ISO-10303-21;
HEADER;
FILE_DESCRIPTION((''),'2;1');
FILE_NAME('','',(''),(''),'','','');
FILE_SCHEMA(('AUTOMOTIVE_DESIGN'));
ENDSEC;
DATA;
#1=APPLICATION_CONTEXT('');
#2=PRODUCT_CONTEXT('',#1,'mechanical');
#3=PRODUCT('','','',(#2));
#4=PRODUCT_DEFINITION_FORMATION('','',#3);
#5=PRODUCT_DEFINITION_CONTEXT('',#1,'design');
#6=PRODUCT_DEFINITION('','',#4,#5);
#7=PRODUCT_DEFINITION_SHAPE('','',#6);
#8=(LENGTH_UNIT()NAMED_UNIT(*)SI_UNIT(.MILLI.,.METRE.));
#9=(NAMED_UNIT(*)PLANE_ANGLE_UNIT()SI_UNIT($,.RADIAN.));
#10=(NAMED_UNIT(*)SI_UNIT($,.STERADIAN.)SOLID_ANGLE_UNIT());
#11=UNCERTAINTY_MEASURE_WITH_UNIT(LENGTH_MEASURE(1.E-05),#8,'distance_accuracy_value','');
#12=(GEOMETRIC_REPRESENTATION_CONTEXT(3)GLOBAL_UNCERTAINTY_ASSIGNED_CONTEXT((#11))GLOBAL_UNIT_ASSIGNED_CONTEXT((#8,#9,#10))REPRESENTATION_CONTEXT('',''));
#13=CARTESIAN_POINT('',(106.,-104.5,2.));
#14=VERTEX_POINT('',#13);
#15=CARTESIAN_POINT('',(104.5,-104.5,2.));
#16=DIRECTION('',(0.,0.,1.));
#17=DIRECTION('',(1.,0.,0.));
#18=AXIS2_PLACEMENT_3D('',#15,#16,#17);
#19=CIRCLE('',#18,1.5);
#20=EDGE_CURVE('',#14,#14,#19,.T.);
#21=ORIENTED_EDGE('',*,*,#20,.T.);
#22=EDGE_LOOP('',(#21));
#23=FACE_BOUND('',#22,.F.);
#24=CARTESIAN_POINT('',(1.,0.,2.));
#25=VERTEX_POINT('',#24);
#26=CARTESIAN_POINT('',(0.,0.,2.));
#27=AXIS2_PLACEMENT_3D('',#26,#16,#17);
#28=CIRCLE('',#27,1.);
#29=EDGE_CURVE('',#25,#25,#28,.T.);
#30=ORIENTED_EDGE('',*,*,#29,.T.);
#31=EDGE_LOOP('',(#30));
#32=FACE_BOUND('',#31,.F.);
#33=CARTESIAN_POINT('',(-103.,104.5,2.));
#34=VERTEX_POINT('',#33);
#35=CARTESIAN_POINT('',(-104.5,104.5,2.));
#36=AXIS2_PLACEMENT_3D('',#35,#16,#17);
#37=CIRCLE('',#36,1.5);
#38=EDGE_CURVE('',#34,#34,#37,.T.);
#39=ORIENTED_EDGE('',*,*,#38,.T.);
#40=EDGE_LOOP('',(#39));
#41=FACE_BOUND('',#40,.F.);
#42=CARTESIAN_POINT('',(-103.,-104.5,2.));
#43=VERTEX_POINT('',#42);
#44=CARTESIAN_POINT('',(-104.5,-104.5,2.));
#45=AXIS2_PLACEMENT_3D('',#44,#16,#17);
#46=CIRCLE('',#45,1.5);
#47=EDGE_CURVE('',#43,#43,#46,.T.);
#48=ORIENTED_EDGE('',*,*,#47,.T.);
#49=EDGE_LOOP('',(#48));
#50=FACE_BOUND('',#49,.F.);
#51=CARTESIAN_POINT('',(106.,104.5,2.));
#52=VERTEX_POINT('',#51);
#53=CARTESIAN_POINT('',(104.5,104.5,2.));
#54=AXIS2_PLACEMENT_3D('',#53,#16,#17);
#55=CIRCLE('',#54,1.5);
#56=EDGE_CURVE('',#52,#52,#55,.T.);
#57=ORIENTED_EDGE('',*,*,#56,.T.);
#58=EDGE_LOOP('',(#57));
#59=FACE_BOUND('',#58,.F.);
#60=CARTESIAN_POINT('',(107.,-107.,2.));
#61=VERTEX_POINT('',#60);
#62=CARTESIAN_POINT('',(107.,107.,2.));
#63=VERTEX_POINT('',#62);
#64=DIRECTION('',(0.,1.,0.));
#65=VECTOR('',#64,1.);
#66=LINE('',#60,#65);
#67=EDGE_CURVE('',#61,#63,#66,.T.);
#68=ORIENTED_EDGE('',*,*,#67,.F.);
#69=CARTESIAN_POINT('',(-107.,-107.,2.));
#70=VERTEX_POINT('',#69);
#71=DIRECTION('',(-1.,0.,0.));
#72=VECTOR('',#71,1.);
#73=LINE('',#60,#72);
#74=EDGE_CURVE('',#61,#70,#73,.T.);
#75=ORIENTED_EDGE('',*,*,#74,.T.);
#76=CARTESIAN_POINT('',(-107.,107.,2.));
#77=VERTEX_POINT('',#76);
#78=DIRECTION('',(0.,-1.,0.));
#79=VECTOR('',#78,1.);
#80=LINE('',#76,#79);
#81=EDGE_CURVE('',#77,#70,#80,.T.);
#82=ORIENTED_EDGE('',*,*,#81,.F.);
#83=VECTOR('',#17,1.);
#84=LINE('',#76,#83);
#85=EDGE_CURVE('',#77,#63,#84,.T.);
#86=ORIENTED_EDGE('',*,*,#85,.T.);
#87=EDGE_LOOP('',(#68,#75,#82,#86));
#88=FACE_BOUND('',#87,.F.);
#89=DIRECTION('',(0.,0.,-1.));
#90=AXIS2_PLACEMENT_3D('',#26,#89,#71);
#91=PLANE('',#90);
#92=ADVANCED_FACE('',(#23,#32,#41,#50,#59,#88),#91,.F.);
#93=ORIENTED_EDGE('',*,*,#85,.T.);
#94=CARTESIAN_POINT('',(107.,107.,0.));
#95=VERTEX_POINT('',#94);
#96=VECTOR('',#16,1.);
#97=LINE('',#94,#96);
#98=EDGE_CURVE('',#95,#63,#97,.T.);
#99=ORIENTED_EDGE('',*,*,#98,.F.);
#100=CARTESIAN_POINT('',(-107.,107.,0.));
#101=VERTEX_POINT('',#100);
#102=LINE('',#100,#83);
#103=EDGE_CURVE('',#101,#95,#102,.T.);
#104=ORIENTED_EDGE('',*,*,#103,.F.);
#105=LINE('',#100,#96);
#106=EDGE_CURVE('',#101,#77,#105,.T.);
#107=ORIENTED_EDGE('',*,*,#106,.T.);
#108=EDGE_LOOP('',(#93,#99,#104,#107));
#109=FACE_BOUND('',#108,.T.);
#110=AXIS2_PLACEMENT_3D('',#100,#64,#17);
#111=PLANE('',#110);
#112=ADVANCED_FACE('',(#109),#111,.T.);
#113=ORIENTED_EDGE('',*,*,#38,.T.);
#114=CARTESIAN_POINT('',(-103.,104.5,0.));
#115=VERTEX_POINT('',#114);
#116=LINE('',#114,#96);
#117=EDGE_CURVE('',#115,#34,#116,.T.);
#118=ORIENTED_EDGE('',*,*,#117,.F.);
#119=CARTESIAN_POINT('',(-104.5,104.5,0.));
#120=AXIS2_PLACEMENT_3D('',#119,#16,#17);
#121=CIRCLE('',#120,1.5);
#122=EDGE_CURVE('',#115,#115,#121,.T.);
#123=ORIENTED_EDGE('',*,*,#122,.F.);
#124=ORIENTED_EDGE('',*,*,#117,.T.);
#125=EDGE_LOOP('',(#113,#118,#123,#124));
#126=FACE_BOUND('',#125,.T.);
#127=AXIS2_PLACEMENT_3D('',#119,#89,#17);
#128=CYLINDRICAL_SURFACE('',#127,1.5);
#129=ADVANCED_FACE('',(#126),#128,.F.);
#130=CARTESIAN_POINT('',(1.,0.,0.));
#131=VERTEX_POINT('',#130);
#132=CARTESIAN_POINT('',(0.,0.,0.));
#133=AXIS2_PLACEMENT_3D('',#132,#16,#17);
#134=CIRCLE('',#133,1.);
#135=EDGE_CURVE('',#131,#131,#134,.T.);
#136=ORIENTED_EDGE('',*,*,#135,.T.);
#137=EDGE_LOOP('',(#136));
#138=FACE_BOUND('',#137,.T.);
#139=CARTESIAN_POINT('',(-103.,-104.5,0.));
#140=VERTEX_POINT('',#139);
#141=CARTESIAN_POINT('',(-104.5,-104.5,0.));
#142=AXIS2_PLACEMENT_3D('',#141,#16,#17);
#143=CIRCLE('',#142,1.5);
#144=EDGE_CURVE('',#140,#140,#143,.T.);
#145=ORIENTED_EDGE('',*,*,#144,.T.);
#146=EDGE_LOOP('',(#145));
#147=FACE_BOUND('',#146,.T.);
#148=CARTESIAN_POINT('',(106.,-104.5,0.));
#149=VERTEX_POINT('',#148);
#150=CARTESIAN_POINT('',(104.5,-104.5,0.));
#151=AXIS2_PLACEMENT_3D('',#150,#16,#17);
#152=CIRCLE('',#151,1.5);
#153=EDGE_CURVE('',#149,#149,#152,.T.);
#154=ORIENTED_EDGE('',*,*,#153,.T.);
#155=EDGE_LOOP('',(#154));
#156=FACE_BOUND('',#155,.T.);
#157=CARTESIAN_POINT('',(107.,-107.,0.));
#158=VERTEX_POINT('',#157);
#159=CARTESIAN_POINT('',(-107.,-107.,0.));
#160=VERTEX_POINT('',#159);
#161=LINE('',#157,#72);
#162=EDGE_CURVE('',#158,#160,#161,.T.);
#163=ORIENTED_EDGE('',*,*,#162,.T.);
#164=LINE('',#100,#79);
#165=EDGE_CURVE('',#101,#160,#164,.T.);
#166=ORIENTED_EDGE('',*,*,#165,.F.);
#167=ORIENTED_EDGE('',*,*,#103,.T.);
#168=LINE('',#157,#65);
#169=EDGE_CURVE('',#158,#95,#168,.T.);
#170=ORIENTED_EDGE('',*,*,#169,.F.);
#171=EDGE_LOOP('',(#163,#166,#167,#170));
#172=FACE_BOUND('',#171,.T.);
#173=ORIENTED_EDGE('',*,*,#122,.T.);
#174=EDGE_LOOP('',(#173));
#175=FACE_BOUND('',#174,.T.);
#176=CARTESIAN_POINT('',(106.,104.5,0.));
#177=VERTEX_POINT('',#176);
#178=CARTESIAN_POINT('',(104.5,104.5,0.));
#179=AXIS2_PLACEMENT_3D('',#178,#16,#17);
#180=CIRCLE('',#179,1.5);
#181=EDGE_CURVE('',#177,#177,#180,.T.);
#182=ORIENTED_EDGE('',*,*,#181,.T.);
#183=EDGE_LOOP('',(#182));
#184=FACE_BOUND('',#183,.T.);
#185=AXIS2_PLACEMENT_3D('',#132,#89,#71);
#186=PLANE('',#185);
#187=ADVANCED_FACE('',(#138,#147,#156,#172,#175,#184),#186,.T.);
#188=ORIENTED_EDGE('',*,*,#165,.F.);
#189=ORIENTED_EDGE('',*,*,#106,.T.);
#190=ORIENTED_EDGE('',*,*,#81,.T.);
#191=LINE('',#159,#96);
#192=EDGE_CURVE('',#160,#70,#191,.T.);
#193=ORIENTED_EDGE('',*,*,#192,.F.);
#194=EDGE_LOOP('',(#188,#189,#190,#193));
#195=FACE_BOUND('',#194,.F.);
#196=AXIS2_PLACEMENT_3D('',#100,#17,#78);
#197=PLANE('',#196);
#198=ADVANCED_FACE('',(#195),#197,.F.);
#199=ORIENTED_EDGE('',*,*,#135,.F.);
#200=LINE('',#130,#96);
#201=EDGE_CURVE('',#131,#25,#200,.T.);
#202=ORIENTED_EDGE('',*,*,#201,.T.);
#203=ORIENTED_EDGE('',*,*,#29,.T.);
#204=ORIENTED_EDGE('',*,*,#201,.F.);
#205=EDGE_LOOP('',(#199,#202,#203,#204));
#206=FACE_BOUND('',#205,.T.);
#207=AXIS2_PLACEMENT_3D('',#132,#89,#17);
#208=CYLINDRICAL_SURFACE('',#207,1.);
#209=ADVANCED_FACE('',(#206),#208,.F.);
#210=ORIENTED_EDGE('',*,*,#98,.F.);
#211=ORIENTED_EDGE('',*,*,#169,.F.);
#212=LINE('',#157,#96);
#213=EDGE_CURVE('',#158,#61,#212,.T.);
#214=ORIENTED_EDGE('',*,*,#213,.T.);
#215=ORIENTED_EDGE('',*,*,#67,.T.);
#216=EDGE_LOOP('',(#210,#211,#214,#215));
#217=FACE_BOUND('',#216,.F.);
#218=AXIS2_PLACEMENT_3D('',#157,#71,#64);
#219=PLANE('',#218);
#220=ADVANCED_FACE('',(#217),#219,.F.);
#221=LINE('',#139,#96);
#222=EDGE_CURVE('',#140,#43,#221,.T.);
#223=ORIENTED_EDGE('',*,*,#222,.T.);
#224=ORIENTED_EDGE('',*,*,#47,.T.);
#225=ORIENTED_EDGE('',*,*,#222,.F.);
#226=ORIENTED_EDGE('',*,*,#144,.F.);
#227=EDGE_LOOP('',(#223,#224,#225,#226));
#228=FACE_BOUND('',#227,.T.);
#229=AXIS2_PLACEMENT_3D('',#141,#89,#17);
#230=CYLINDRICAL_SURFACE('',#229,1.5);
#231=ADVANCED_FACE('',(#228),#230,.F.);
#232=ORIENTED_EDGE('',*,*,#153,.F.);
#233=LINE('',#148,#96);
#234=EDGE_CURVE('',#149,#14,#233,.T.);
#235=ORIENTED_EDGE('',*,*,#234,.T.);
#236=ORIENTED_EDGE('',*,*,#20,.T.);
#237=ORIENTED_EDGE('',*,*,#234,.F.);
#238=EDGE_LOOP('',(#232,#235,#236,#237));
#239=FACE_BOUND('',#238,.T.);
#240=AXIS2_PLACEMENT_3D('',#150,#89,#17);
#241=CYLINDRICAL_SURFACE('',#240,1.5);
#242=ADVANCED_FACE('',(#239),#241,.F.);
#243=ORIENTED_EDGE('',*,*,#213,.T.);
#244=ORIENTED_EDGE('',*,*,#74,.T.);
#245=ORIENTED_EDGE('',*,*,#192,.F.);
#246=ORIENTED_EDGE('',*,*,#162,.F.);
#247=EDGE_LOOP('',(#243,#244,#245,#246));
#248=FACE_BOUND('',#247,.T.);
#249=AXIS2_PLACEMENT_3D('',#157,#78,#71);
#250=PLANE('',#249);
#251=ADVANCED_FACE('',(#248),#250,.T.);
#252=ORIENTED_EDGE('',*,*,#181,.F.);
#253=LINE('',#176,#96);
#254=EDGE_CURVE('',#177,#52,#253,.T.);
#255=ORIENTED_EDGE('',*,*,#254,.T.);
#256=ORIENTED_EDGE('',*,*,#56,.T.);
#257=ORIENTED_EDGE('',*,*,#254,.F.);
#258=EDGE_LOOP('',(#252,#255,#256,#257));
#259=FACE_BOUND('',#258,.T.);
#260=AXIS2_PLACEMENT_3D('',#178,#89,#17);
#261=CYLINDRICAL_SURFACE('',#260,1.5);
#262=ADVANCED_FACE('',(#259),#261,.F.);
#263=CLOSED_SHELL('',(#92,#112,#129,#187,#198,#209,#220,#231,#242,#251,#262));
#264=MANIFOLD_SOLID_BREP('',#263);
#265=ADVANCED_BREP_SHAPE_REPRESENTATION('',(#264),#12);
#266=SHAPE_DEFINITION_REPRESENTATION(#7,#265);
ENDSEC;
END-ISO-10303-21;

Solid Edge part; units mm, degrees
sketch "Sketch1" plane through (0, 0, 0) normal (0, 0, 1) x (1, 0, 0)
  circle A0 centre (-104.5, 104.5) radius 1.5
  circle A1 centre (-104.5, -104.5) radius 1.5
  circle A2 centre (104.5, 104.5) radius 1.5
  circle A3 centre (104.5, -104.5) radius 1.5
  circle A4 centre (0, 0) radius 1
  line L0 (-107, 107) -> (107, 107)
  line L1 (107, -107) -> (107, 107)
  line L2 (107, -107) -> (-107, -107)
  line L3 (-107, 107) -> (-107, -107)
  dimension "D1" = 214
  dimension "D2" = 214
  dimension "D3" = 107
  dimension "D4" = 107
  dimension "D5" = 107
  dimension "D6" = 107
  dimension "D7" = 214
  dimension "D8" = 209
  dimension "D9" = 2.5
  dimension "D10" = 2.5
  dimension "D11" = 209
  dimension "D12" = 2.5
  dimension "D13" = 3
  dimension "D14" = 2.5
  dimension "D15" = 2.5
  dimension "D16" = 2.5
extrude "Protrusion1" add sketch "Sketch1" along normal blind 2
